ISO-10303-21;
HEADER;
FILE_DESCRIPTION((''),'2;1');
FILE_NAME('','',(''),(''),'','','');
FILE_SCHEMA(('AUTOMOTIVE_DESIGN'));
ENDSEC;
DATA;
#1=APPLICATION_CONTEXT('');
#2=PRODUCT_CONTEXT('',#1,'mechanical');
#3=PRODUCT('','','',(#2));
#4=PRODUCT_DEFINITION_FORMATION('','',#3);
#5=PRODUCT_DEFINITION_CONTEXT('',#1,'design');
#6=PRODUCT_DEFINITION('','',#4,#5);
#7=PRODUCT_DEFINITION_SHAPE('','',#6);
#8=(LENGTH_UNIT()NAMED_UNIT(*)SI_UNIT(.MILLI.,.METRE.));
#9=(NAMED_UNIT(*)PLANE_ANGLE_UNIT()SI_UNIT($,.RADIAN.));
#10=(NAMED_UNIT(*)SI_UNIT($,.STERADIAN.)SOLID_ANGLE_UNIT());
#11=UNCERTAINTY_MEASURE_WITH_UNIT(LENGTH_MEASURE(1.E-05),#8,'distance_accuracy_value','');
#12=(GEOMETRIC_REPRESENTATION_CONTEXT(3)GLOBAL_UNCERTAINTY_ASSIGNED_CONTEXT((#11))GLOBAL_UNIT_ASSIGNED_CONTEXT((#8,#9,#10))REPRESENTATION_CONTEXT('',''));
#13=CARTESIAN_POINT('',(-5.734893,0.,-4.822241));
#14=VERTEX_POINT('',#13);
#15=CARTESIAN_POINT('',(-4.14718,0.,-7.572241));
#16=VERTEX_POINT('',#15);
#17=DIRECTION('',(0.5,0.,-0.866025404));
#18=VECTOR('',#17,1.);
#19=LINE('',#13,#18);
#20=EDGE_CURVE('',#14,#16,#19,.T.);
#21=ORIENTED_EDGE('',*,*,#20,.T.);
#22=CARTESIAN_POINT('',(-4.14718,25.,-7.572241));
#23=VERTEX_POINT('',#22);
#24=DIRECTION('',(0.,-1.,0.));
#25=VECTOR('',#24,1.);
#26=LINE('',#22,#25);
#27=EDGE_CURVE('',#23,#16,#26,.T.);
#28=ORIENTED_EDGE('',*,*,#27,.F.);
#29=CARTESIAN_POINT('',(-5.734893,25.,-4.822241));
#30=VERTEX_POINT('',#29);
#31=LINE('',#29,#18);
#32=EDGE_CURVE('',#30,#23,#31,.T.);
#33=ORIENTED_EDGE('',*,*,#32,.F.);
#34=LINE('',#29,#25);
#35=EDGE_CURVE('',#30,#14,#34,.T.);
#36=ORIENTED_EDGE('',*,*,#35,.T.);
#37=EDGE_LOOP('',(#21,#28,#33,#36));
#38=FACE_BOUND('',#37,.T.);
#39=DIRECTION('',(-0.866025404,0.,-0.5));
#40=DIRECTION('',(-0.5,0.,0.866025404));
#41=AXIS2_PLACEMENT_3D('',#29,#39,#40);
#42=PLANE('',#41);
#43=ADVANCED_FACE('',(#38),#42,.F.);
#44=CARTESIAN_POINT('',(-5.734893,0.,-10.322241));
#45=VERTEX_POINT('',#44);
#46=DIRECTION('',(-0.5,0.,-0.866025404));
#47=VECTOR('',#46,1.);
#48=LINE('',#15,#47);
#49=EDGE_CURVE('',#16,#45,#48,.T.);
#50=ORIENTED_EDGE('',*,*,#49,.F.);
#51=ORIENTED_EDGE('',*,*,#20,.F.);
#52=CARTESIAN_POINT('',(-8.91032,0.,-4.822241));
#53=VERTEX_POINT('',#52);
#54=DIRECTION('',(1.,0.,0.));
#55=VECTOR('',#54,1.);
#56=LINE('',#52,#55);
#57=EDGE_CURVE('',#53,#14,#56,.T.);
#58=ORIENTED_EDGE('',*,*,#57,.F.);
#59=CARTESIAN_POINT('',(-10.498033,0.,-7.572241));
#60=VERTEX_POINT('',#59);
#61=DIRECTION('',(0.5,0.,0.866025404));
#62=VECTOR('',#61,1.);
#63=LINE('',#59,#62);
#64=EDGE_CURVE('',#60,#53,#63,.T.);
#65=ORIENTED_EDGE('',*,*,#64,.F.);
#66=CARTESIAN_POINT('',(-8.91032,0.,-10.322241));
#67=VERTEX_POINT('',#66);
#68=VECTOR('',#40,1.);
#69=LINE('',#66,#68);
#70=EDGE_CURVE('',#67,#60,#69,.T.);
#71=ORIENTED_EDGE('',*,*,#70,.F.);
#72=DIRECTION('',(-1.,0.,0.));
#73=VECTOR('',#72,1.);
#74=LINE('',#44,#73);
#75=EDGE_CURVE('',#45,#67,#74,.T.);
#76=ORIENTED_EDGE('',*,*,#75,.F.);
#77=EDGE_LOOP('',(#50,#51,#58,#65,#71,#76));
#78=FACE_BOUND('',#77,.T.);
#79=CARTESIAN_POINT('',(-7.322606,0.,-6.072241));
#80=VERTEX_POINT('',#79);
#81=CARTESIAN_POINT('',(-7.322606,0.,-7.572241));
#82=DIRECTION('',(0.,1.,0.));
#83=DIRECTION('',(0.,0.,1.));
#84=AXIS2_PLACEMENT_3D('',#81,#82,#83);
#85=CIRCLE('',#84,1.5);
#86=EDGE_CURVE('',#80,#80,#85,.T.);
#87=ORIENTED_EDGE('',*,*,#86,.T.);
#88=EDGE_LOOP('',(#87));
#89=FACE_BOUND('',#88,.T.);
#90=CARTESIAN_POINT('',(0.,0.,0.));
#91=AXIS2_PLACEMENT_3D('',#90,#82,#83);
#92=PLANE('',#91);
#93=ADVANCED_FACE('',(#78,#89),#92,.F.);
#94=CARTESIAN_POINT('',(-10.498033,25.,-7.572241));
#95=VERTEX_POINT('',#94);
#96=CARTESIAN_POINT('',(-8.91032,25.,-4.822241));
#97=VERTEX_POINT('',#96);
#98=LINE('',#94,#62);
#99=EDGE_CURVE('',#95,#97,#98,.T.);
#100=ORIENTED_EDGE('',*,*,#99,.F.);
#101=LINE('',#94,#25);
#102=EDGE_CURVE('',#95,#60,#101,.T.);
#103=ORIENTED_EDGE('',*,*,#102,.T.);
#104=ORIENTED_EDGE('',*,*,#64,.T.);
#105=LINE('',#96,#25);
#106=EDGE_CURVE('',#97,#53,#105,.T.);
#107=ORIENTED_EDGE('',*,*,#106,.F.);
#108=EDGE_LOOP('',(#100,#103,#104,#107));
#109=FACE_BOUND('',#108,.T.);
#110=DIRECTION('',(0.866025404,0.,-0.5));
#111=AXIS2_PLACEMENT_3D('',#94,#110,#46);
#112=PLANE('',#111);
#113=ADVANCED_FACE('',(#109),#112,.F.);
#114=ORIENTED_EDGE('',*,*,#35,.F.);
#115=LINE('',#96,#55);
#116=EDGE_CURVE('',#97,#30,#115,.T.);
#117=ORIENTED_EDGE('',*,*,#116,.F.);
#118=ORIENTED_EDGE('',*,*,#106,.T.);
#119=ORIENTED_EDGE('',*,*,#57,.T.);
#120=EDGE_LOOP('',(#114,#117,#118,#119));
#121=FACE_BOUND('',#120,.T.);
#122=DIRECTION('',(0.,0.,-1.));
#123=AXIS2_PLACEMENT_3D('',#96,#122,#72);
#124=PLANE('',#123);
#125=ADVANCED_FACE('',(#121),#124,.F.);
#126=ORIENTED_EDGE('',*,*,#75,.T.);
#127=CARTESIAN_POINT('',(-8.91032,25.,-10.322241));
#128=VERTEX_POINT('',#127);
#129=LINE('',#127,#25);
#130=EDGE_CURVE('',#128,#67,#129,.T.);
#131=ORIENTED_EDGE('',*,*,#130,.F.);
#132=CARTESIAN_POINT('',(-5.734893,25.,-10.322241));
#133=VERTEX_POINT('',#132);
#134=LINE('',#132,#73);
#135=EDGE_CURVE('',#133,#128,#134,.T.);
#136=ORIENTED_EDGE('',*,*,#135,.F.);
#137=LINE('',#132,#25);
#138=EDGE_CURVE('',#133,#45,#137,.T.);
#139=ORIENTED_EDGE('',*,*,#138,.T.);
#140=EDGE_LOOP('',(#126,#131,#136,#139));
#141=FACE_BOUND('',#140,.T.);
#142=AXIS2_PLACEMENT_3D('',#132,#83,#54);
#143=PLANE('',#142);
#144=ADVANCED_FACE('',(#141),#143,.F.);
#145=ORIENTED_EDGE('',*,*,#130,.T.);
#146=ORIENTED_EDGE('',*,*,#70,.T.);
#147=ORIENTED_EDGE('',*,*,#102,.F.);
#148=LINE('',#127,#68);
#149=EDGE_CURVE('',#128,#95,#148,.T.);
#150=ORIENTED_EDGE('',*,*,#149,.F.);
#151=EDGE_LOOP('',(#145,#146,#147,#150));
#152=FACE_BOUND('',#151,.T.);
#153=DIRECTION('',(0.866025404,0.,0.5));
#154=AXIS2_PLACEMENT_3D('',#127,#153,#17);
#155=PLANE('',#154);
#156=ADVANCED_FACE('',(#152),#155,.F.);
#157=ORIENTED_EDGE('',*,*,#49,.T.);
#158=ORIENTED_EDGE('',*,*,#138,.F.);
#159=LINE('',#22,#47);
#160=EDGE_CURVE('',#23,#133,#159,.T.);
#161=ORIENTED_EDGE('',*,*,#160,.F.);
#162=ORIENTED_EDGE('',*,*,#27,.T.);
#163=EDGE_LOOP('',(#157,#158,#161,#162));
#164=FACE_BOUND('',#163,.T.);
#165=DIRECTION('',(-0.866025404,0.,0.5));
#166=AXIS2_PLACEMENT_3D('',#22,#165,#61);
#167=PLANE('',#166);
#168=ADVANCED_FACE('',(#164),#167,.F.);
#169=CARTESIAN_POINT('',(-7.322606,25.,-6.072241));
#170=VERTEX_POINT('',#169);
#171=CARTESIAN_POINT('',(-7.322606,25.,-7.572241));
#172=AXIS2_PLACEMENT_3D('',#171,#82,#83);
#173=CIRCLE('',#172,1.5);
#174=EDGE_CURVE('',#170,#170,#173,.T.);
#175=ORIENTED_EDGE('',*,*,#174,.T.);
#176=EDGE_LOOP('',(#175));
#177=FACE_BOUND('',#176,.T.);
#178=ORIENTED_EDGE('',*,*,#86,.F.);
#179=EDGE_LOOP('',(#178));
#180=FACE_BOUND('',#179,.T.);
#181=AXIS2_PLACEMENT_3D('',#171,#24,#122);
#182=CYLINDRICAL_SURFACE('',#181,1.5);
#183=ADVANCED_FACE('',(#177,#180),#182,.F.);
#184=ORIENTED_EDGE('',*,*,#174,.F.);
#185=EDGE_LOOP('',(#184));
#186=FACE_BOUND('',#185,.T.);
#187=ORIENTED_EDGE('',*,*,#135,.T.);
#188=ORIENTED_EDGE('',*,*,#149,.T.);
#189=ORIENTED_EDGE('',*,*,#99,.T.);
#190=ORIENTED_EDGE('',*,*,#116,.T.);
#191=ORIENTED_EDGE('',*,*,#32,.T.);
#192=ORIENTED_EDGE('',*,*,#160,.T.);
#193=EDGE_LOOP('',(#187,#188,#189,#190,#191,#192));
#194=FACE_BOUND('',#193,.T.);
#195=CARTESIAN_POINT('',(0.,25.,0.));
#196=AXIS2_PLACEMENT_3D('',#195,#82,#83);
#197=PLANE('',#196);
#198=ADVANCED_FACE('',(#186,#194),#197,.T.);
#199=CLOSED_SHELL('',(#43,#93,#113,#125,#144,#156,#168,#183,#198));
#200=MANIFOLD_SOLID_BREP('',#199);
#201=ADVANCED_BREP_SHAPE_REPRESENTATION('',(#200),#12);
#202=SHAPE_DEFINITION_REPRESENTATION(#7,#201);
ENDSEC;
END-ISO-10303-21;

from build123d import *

# Parameters (mm, degrees)
SKETCH_1_R      = 1.5
EXTRUDE_1_DEPTH = 25


with BuildPart() as part:
    # 草图1 → 凸台-拉伸1 (new body)
    with BuildSketch(Plane(origin=(0, 0, 0), x_dir=(1, 0, 0), z_dir=(0, 1, 0))):
        Polygon((-4.147179809, 7.572240595), (-5.734893049, 10.322240595), (-8.91031953, 10.322240595), (-10.49803277, 7.572240595), (-8.91031953, 4.822240595), (-5.734893049, 4.822240595), align=None)
        with Locations(Location((-7.322606289, 7.572240595, 0), (0, 0, 270))):
            Circle(SKETCH_1_R, mode=Mode.SUBTRACT)
    extrude(amount=EXTRUDE_1_DEPTH)


solid = part.part
